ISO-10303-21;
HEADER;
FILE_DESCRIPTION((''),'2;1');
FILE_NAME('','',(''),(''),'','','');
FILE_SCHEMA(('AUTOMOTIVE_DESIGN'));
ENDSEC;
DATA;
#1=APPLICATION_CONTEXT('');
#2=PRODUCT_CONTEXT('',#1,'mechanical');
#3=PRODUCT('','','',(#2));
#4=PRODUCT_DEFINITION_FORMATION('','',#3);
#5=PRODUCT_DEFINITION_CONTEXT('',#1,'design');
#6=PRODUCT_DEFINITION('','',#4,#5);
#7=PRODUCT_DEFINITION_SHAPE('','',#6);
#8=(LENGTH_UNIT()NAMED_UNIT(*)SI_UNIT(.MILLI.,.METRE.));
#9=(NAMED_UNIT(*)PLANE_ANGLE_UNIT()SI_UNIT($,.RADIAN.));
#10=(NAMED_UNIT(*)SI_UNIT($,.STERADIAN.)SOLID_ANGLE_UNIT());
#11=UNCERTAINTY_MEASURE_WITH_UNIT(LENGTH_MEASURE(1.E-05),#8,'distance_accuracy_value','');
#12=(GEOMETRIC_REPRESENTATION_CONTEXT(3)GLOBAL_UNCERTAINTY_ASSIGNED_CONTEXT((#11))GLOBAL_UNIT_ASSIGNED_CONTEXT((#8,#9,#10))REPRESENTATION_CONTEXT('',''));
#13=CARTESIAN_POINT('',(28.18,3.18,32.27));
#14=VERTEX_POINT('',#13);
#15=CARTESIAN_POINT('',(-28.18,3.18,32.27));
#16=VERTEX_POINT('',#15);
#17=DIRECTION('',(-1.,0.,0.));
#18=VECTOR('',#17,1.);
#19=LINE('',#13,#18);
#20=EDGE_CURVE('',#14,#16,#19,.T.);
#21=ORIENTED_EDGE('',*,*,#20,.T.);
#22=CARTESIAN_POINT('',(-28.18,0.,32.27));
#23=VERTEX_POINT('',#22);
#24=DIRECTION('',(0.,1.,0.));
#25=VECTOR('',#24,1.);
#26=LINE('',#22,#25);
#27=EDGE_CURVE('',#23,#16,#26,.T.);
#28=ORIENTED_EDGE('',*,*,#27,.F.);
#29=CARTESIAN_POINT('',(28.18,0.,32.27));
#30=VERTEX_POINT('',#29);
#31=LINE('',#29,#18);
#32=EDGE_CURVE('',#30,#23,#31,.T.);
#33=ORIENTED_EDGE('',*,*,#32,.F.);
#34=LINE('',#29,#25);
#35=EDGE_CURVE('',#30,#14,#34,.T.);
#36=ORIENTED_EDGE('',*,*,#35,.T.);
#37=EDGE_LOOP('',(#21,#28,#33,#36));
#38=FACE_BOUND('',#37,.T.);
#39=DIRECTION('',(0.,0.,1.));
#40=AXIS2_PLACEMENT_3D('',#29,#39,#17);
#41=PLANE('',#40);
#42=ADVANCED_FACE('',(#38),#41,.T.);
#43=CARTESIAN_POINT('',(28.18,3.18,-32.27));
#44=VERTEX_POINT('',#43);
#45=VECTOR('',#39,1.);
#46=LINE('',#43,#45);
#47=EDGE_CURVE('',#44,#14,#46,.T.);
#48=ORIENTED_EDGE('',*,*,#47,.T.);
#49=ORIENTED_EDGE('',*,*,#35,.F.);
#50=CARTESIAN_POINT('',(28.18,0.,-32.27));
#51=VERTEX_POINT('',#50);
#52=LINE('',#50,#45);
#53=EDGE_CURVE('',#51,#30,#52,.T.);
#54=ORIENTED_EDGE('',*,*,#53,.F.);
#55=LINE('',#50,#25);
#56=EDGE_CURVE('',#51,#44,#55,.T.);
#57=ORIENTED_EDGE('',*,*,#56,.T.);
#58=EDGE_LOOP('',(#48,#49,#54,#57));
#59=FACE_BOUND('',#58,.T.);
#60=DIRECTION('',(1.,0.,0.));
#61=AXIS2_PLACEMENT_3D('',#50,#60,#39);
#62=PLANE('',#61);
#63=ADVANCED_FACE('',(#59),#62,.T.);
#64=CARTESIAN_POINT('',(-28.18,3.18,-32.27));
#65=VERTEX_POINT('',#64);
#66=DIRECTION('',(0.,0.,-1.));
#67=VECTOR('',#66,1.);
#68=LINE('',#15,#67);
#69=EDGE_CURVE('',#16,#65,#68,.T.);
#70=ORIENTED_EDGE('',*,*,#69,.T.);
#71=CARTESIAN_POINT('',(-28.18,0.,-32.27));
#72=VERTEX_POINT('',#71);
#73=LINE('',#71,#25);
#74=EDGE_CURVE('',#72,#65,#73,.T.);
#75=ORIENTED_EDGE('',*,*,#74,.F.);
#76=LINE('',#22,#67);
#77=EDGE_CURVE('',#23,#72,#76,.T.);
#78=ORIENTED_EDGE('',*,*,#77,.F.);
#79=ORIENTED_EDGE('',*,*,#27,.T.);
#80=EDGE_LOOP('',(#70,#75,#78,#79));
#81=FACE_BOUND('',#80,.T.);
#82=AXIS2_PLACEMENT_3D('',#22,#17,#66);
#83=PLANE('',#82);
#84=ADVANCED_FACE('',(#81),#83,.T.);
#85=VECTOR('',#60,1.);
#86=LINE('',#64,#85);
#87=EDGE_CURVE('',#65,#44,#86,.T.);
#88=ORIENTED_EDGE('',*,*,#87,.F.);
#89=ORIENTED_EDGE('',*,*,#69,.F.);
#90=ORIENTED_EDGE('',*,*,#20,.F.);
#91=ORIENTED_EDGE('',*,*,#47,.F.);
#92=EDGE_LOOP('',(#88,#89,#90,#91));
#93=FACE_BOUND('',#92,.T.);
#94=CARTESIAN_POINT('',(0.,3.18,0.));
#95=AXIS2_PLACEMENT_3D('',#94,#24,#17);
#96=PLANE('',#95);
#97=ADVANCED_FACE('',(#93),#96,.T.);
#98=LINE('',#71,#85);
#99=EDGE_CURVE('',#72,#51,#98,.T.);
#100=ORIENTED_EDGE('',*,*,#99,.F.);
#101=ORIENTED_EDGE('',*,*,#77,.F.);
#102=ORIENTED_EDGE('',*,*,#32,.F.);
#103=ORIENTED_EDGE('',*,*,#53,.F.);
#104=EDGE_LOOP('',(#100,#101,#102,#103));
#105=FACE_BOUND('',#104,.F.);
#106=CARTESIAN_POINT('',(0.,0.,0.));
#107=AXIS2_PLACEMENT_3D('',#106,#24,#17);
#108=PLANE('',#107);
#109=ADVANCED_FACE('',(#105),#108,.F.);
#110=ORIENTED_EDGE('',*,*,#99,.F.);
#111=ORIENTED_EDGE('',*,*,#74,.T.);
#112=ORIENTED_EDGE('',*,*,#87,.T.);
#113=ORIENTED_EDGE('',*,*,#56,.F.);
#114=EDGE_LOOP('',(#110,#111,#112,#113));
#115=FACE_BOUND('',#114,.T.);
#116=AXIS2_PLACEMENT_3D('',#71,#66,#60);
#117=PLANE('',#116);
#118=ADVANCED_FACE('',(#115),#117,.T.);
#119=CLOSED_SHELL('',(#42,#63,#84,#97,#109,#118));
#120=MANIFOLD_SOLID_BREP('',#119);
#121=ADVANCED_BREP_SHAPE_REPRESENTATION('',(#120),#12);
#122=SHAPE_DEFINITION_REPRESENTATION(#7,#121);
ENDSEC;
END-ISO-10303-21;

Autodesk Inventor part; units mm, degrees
ref_plane "YZ Plane" through (0, 0, 0) normal (1, 0, 0) x (0, 1, 0)
ref_plane "XZ Plane" through (0, 0, 0) normal (0, 1, 0) x (-1, 0, 0)
ref_plane "XY Plane" through (0, 0, 0) normal (0, 0, 1) x (1, 0, 0)
sketch "Sketch1" plane through (0, 0, 0) normal (0, 1, 0) x (-1, 0, 0)
  line L0 (-28.18, 32.27) -> (28.18, 32.27)
  line L1 (28.18, 32.27) -> (28.18, -32.27)
  line L2 (28.18, -32.27) -> (-28.18, -32.27)
  line L3 (-28.18, -32.27) -> (-28.18, 32.27)
  line L4 (-28.18, 32.27) -> (28.18, -32.27) construction
  line L5 (28.18, 32.27) -> (-28.18, -32.27) construction
  point P0 (0, 0)
  dimension "d0" = 64.54
  dimension "d1" = 56.36
extrude "Extrusion1" add sketch "Sketch1" along normal blind 3.18
properties part number "Hombro_tapag"
